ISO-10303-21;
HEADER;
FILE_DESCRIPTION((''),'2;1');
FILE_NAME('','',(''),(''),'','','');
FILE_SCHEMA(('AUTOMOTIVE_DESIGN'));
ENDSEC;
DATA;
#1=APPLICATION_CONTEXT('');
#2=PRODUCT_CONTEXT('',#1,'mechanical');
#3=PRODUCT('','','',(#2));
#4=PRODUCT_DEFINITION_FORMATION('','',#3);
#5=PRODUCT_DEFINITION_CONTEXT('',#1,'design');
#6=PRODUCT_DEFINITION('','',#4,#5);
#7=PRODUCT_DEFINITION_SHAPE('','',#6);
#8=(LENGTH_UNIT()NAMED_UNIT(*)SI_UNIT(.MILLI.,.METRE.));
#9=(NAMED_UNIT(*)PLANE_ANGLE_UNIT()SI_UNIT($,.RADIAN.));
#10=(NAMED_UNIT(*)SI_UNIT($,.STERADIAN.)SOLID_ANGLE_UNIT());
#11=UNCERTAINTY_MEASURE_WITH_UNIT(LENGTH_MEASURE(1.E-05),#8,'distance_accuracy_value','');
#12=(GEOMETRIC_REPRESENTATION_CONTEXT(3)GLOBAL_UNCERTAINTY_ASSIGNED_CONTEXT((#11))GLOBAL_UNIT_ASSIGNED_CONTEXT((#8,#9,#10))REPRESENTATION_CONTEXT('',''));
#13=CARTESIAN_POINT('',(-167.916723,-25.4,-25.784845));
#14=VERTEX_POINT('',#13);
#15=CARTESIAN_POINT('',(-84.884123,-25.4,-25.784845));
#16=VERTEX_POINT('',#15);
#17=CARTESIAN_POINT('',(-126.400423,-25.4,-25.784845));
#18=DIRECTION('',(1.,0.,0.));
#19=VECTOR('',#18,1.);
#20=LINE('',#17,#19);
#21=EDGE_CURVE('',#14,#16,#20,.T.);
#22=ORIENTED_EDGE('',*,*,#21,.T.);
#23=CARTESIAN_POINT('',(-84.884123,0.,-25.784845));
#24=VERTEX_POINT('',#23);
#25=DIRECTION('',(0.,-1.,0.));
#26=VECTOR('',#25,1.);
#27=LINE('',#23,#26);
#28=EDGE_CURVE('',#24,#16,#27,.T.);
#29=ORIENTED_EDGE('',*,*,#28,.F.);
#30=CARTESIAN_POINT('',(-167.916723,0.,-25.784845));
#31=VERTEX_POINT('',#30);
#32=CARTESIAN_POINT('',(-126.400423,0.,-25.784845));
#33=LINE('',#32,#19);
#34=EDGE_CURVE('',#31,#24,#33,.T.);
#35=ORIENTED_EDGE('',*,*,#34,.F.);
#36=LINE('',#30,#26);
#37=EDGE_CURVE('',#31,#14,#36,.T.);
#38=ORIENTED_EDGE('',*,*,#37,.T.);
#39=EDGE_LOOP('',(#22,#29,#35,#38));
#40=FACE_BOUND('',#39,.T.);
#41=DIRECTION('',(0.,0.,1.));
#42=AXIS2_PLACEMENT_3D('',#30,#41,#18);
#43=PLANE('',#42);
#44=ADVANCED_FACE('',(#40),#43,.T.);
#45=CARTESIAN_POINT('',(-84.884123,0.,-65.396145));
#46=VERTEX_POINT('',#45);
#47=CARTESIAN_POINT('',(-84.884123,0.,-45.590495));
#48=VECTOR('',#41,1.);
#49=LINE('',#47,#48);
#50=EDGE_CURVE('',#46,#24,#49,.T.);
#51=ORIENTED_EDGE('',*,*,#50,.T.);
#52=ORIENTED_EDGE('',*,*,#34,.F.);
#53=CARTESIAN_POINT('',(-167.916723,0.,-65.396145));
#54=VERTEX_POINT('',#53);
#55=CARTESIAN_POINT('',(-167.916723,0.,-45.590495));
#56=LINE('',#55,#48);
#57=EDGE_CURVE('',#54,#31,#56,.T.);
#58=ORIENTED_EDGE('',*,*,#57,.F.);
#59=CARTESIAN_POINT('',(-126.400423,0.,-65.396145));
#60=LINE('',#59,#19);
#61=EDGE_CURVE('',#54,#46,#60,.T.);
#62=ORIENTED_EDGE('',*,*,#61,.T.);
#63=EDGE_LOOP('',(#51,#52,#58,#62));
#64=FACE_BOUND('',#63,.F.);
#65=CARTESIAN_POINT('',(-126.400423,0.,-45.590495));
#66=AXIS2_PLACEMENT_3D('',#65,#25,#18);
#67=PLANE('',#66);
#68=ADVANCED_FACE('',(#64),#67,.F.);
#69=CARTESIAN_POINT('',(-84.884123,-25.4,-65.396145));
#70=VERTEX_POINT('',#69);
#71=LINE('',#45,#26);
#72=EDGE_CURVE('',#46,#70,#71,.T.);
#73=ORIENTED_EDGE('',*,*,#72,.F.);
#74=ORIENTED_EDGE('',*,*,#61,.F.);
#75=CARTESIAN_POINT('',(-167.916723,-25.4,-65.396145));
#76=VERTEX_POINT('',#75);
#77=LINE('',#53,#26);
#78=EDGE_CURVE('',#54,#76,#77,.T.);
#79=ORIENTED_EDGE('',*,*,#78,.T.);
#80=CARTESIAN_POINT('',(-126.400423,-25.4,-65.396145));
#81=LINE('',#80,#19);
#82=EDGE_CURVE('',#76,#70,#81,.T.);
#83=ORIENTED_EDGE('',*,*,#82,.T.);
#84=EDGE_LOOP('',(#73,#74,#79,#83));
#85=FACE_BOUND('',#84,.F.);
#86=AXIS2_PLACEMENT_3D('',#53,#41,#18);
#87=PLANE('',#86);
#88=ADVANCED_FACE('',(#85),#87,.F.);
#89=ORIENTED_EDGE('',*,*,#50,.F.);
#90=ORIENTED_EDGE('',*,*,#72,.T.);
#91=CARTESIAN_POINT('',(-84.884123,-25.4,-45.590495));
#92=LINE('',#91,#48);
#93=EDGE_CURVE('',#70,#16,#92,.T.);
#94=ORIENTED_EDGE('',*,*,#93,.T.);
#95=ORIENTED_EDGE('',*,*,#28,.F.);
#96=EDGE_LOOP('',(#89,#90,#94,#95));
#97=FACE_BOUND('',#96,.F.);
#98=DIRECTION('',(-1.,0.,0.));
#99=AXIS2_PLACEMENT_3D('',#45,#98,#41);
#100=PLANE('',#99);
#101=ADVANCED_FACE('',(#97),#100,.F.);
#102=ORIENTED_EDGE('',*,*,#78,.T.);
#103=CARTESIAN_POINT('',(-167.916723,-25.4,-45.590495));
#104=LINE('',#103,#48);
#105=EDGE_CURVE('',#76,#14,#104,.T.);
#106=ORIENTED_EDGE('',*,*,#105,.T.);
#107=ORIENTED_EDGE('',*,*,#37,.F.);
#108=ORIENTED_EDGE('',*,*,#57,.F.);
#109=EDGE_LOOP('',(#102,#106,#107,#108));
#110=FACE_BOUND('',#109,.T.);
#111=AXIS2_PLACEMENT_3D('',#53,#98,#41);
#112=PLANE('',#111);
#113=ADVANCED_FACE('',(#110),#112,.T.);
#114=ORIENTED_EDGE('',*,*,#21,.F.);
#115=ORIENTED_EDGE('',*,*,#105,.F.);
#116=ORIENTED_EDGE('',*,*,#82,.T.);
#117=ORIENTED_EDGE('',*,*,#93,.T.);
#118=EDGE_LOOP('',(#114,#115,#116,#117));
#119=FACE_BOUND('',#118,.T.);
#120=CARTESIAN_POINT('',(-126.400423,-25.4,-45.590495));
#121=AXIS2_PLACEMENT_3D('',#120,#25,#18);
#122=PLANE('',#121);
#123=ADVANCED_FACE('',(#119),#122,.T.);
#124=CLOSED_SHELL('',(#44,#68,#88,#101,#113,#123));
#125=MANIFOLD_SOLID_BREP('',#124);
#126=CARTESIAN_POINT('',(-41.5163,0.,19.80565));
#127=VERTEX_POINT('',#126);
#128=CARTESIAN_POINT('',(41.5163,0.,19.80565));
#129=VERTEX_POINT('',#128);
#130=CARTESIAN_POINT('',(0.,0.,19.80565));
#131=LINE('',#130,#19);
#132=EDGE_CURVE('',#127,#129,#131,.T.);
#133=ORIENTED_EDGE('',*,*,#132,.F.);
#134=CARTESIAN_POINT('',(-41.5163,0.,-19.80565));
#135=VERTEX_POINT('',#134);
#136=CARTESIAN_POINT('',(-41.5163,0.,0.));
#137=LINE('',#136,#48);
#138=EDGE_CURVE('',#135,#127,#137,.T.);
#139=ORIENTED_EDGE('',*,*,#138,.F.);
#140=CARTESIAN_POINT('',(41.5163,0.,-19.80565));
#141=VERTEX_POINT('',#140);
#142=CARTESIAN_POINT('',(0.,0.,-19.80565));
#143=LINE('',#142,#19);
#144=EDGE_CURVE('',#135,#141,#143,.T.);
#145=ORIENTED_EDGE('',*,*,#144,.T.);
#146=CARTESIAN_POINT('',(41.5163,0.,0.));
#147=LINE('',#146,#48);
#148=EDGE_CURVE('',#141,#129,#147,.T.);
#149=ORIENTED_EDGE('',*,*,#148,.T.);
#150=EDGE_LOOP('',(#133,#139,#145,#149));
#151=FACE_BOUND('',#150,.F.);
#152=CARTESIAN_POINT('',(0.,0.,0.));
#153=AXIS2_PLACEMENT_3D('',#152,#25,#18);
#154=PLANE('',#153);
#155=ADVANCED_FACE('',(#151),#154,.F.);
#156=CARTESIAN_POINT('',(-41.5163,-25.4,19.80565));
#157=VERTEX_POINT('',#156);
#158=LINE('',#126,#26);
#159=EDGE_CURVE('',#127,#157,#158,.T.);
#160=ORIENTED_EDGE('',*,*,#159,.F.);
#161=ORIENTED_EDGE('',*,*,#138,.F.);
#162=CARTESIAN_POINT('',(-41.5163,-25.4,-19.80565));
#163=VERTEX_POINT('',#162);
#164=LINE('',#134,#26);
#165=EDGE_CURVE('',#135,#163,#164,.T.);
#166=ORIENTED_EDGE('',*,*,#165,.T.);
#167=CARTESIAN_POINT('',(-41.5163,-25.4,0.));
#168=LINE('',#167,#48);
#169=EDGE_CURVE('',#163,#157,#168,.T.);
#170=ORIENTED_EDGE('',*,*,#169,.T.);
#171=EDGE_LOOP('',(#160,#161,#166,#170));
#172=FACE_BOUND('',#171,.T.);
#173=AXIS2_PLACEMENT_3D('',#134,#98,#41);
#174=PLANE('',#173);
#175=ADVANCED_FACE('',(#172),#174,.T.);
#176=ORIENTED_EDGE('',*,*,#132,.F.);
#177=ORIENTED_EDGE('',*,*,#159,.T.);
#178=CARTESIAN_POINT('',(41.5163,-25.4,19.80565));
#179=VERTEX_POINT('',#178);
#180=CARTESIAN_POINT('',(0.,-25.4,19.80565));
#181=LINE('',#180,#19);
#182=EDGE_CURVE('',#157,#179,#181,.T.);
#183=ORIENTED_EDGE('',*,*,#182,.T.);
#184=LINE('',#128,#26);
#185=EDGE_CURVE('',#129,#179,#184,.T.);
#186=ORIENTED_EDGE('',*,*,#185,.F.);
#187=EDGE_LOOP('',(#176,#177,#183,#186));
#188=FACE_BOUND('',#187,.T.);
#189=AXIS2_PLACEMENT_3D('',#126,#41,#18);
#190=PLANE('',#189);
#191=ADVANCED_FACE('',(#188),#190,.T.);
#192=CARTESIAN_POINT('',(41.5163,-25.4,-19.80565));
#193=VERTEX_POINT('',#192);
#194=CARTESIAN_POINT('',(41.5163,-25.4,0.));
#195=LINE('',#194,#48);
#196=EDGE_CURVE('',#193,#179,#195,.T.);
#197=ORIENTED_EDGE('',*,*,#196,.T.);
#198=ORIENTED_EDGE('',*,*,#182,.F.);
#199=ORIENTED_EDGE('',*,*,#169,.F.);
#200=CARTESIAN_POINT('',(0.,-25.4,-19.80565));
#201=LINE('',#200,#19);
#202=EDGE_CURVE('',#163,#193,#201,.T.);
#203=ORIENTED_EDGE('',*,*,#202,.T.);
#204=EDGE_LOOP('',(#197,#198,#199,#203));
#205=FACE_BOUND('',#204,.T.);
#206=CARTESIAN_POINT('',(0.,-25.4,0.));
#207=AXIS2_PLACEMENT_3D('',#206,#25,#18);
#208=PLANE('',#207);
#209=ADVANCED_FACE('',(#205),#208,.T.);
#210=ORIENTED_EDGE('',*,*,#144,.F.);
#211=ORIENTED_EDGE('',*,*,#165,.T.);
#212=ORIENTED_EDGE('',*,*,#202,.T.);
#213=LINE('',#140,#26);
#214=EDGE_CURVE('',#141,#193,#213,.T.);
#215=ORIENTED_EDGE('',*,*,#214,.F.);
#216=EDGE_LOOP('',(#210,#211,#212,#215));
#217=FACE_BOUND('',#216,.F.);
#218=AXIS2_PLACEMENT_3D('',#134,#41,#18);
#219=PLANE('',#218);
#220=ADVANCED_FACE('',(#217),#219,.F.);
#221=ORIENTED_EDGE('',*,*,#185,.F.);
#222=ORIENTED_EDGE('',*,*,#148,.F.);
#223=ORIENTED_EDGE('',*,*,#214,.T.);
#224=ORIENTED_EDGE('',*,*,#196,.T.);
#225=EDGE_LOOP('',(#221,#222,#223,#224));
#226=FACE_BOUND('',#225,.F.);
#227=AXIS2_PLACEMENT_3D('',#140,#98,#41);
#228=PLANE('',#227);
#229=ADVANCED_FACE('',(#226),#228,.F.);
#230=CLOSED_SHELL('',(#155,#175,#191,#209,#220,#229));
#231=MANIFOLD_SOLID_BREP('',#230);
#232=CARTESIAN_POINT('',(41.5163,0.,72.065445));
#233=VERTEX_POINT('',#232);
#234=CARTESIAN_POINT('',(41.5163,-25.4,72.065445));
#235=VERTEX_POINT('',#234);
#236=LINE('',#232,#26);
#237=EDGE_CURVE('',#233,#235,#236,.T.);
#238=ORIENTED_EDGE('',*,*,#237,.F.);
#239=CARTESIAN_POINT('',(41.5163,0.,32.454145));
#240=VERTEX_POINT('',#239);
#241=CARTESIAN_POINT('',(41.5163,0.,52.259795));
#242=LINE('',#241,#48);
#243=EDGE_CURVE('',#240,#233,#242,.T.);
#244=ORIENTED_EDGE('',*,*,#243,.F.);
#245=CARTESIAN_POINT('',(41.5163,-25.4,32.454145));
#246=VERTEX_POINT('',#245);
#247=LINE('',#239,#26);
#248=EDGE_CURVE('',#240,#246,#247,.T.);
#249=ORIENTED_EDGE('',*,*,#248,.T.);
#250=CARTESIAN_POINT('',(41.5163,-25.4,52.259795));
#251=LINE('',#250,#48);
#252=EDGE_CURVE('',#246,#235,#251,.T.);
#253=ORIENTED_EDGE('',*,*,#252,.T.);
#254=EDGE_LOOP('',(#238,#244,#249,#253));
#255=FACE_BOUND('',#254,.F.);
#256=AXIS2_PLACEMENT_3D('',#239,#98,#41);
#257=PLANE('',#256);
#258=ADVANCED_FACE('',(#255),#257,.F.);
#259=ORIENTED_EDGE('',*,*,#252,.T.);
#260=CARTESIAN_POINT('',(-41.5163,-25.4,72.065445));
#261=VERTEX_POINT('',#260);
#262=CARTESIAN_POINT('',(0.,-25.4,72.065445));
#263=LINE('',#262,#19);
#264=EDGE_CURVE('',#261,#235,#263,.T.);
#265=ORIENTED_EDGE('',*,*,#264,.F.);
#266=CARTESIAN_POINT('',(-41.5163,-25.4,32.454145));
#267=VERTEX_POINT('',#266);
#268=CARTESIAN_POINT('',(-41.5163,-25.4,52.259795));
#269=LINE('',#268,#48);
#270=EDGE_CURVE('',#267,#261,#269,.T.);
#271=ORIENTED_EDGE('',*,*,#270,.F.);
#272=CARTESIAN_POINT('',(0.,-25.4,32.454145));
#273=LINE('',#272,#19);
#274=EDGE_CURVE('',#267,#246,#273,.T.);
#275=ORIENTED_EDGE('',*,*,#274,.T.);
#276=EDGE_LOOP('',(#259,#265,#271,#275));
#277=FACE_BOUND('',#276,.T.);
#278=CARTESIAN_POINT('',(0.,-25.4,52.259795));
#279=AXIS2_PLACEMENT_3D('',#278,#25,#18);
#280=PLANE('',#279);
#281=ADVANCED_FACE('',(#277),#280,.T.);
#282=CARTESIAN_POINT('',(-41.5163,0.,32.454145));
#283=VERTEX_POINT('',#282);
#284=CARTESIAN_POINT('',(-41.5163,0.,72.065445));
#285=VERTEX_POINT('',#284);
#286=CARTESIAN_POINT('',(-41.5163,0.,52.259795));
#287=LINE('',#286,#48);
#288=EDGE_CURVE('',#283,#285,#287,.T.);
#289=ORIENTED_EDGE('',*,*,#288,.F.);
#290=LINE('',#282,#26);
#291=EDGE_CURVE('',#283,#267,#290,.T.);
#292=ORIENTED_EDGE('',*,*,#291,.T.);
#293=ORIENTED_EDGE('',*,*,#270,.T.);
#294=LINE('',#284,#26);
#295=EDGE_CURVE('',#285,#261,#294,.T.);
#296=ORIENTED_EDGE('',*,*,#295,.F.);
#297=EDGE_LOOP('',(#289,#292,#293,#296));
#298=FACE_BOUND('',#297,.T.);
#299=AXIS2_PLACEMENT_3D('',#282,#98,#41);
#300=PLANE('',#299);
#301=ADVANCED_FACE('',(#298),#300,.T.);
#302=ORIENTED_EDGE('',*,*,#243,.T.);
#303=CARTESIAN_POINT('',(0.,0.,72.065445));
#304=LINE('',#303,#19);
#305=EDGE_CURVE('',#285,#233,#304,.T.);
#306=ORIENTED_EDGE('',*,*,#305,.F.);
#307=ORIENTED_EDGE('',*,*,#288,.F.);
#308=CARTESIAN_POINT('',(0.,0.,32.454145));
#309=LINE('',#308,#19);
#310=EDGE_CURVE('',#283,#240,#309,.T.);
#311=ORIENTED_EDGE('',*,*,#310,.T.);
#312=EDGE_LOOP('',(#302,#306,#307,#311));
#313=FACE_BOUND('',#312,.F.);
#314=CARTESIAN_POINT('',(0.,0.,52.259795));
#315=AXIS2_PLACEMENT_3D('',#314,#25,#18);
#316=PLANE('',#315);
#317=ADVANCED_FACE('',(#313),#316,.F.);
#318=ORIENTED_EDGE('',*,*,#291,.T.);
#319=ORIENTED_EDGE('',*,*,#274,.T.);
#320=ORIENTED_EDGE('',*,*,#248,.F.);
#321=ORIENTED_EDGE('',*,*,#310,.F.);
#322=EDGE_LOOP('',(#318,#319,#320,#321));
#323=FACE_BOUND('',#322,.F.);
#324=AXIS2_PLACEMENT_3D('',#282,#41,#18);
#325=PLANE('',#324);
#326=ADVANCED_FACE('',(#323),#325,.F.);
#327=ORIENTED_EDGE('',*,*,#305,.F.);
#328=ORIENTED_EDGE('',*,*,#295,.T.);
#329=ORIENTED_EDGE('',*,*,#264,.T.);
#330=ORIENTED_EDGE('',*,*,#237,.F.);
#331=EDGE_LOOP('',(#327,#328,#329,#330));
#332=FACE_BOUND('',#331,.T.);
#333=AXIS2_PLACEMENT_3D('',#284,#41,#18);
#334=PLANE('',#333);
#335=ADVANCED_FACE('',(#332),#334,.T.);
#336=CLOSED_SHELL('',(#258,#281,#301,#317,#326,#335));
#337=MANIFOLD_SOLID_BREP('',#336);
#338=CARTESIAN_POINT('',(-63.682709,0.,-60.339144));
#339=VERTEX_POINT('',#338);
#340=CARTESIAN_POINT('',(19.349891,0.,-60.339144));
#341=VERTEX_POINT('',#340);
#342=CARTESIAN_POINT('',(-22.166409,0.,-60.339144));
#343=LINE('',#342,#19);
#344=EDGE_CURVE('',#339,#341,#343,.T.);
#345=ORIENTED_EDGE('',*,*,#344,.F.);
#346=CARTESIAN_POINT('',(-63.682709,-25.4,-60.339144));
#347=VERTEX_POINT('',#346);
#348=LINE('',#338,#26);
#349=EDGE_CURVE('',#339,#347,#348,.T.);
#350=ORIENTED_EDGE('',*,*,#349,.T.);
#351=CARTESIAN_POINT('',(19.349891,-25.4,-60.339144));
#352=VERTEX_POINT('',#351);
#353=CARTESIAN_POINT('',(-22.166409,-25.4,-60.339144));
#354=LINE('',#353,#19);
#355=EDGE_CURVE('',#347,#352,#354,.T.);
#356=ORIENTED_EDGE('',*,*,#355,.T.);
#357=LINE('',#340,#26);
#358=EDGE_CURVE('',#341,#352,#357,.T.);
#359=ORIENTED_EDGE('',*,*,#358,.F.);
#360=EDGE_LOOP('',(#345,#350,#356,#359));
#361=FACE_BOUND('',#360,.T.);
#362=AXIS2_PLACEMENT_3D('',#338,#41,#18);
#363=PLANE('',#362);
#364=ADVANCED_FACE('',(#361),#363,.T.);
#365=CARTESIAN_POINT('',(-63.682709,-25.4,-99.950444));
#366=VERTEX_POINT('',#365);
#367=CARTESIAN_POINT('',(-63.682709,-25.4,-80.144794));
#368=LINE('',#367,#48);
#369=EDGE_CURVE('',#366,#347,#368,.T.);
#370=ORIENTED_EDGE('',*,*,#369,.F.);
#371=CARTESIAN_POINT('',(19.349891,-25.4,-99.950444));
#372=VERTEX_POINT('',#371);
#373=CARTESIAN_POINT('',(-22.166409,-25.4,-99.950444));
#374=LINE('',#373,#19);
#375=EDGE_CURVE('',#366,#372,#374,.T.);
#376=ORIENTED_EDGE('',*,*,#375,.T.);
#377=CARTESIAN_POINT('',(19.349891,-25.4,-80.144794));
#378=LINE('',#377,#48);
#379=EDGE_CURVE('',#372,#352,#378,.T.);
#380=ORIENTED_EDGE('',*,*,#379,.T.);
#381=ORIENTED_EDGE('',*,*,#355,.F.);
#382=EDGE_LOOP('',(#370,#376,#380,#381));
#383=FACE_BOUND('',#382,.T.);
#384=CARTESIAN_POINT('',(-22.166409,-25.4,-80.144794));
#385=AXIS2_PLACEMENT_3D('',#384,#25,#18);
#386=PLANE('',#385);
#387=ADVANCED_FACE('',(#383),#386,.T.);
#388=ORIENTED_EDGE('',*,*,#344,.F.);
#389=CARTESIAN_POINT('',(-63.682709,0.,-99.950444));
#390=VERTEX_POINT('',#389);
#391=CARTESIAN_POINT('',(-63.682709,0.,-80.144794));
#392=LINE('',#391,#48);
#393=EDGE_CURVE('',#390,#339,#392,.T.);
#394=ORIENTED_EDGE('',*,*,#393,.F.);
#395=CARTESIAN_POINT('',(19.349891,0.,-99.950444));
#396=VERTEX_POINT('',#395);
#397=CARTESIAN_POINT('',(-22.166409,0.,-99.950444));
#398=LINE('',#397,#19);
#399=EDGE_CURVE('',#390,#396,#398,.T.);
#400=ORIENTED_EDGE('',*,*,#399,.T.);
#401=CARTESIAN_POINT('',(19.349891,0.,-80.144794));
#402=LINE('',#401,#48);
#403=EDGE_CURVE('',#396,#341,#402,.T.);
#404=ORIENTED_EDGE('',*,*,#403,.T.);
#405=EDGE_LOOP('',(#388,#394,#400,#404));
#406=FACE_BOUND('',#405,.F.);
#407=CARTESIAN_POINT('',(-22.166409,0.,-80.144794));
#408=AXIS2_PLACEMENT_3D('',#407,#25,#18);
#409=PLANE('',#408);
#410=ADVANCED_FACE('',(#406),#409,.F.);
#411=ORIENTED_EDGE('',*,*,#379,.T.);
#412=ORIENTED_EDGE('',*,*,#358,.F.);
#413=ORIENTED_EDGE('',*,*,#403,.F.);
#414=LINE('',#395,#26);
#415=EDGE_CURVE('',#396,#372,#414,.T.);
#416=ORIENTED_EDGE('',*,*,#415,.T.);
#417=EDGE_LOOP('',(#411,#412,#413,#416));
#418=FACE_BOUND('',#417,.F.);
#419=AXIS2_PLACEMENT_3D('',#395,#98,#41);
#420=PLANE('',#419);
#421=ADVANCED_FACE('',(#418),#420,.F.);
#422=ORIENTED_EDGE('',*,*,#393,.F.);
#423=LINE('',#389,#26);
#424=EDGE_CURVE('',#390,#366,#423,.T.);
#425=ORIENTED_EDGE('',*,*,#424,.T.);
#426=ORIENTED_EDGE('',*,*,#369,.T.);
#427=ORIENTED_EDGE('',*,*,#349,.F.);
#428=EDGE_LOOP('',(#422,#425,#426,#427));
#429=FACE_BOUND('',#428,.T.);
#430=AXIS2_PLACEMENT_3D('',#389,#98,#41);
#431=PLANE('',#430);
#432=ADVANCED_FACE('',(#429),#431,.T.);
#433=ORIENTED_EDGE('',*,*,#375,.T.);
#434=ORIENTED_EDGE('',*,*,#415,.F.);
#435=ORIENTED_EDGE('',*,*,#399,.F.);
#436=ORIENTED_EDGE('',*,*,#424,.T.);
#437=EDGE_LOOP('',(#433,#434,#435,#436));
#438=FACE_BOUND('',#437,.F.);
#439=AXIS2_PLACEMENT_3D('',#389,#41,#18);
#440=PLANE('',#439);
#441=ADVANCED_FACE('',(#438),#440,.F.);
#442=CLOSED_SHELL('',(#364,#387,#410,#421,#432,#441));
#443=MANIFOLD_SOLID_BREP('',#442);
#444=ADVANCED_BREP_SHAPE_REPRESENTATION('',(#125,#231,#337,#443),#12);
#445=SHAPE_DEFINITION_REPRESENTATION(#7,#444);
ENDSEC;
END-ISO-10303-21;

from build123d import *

# Parameters (mm, degrees)
F0_W     = 83.0326
F0_H     = 39.6113
F1_DEPTH = 25.4


with BuildPart() as f1:
    # F0 (on Front) → F1 (new body)
    with BuildSketch(Plane.XZ):
        Rectangle(F0_W, F0_H)
        with Locations((0, 52.259795)):
            Rectangle(F0_W, F0_H)
        with Locations((-22.166409, -80.144794)):
            Rectangle(F0_W, F0_H)
        with Locations((-126.400423, -45.590495)):
            Rectangle(F0_W, F0_H)
    extrude(amount=F1_DEPTH)


solid = f1.part
